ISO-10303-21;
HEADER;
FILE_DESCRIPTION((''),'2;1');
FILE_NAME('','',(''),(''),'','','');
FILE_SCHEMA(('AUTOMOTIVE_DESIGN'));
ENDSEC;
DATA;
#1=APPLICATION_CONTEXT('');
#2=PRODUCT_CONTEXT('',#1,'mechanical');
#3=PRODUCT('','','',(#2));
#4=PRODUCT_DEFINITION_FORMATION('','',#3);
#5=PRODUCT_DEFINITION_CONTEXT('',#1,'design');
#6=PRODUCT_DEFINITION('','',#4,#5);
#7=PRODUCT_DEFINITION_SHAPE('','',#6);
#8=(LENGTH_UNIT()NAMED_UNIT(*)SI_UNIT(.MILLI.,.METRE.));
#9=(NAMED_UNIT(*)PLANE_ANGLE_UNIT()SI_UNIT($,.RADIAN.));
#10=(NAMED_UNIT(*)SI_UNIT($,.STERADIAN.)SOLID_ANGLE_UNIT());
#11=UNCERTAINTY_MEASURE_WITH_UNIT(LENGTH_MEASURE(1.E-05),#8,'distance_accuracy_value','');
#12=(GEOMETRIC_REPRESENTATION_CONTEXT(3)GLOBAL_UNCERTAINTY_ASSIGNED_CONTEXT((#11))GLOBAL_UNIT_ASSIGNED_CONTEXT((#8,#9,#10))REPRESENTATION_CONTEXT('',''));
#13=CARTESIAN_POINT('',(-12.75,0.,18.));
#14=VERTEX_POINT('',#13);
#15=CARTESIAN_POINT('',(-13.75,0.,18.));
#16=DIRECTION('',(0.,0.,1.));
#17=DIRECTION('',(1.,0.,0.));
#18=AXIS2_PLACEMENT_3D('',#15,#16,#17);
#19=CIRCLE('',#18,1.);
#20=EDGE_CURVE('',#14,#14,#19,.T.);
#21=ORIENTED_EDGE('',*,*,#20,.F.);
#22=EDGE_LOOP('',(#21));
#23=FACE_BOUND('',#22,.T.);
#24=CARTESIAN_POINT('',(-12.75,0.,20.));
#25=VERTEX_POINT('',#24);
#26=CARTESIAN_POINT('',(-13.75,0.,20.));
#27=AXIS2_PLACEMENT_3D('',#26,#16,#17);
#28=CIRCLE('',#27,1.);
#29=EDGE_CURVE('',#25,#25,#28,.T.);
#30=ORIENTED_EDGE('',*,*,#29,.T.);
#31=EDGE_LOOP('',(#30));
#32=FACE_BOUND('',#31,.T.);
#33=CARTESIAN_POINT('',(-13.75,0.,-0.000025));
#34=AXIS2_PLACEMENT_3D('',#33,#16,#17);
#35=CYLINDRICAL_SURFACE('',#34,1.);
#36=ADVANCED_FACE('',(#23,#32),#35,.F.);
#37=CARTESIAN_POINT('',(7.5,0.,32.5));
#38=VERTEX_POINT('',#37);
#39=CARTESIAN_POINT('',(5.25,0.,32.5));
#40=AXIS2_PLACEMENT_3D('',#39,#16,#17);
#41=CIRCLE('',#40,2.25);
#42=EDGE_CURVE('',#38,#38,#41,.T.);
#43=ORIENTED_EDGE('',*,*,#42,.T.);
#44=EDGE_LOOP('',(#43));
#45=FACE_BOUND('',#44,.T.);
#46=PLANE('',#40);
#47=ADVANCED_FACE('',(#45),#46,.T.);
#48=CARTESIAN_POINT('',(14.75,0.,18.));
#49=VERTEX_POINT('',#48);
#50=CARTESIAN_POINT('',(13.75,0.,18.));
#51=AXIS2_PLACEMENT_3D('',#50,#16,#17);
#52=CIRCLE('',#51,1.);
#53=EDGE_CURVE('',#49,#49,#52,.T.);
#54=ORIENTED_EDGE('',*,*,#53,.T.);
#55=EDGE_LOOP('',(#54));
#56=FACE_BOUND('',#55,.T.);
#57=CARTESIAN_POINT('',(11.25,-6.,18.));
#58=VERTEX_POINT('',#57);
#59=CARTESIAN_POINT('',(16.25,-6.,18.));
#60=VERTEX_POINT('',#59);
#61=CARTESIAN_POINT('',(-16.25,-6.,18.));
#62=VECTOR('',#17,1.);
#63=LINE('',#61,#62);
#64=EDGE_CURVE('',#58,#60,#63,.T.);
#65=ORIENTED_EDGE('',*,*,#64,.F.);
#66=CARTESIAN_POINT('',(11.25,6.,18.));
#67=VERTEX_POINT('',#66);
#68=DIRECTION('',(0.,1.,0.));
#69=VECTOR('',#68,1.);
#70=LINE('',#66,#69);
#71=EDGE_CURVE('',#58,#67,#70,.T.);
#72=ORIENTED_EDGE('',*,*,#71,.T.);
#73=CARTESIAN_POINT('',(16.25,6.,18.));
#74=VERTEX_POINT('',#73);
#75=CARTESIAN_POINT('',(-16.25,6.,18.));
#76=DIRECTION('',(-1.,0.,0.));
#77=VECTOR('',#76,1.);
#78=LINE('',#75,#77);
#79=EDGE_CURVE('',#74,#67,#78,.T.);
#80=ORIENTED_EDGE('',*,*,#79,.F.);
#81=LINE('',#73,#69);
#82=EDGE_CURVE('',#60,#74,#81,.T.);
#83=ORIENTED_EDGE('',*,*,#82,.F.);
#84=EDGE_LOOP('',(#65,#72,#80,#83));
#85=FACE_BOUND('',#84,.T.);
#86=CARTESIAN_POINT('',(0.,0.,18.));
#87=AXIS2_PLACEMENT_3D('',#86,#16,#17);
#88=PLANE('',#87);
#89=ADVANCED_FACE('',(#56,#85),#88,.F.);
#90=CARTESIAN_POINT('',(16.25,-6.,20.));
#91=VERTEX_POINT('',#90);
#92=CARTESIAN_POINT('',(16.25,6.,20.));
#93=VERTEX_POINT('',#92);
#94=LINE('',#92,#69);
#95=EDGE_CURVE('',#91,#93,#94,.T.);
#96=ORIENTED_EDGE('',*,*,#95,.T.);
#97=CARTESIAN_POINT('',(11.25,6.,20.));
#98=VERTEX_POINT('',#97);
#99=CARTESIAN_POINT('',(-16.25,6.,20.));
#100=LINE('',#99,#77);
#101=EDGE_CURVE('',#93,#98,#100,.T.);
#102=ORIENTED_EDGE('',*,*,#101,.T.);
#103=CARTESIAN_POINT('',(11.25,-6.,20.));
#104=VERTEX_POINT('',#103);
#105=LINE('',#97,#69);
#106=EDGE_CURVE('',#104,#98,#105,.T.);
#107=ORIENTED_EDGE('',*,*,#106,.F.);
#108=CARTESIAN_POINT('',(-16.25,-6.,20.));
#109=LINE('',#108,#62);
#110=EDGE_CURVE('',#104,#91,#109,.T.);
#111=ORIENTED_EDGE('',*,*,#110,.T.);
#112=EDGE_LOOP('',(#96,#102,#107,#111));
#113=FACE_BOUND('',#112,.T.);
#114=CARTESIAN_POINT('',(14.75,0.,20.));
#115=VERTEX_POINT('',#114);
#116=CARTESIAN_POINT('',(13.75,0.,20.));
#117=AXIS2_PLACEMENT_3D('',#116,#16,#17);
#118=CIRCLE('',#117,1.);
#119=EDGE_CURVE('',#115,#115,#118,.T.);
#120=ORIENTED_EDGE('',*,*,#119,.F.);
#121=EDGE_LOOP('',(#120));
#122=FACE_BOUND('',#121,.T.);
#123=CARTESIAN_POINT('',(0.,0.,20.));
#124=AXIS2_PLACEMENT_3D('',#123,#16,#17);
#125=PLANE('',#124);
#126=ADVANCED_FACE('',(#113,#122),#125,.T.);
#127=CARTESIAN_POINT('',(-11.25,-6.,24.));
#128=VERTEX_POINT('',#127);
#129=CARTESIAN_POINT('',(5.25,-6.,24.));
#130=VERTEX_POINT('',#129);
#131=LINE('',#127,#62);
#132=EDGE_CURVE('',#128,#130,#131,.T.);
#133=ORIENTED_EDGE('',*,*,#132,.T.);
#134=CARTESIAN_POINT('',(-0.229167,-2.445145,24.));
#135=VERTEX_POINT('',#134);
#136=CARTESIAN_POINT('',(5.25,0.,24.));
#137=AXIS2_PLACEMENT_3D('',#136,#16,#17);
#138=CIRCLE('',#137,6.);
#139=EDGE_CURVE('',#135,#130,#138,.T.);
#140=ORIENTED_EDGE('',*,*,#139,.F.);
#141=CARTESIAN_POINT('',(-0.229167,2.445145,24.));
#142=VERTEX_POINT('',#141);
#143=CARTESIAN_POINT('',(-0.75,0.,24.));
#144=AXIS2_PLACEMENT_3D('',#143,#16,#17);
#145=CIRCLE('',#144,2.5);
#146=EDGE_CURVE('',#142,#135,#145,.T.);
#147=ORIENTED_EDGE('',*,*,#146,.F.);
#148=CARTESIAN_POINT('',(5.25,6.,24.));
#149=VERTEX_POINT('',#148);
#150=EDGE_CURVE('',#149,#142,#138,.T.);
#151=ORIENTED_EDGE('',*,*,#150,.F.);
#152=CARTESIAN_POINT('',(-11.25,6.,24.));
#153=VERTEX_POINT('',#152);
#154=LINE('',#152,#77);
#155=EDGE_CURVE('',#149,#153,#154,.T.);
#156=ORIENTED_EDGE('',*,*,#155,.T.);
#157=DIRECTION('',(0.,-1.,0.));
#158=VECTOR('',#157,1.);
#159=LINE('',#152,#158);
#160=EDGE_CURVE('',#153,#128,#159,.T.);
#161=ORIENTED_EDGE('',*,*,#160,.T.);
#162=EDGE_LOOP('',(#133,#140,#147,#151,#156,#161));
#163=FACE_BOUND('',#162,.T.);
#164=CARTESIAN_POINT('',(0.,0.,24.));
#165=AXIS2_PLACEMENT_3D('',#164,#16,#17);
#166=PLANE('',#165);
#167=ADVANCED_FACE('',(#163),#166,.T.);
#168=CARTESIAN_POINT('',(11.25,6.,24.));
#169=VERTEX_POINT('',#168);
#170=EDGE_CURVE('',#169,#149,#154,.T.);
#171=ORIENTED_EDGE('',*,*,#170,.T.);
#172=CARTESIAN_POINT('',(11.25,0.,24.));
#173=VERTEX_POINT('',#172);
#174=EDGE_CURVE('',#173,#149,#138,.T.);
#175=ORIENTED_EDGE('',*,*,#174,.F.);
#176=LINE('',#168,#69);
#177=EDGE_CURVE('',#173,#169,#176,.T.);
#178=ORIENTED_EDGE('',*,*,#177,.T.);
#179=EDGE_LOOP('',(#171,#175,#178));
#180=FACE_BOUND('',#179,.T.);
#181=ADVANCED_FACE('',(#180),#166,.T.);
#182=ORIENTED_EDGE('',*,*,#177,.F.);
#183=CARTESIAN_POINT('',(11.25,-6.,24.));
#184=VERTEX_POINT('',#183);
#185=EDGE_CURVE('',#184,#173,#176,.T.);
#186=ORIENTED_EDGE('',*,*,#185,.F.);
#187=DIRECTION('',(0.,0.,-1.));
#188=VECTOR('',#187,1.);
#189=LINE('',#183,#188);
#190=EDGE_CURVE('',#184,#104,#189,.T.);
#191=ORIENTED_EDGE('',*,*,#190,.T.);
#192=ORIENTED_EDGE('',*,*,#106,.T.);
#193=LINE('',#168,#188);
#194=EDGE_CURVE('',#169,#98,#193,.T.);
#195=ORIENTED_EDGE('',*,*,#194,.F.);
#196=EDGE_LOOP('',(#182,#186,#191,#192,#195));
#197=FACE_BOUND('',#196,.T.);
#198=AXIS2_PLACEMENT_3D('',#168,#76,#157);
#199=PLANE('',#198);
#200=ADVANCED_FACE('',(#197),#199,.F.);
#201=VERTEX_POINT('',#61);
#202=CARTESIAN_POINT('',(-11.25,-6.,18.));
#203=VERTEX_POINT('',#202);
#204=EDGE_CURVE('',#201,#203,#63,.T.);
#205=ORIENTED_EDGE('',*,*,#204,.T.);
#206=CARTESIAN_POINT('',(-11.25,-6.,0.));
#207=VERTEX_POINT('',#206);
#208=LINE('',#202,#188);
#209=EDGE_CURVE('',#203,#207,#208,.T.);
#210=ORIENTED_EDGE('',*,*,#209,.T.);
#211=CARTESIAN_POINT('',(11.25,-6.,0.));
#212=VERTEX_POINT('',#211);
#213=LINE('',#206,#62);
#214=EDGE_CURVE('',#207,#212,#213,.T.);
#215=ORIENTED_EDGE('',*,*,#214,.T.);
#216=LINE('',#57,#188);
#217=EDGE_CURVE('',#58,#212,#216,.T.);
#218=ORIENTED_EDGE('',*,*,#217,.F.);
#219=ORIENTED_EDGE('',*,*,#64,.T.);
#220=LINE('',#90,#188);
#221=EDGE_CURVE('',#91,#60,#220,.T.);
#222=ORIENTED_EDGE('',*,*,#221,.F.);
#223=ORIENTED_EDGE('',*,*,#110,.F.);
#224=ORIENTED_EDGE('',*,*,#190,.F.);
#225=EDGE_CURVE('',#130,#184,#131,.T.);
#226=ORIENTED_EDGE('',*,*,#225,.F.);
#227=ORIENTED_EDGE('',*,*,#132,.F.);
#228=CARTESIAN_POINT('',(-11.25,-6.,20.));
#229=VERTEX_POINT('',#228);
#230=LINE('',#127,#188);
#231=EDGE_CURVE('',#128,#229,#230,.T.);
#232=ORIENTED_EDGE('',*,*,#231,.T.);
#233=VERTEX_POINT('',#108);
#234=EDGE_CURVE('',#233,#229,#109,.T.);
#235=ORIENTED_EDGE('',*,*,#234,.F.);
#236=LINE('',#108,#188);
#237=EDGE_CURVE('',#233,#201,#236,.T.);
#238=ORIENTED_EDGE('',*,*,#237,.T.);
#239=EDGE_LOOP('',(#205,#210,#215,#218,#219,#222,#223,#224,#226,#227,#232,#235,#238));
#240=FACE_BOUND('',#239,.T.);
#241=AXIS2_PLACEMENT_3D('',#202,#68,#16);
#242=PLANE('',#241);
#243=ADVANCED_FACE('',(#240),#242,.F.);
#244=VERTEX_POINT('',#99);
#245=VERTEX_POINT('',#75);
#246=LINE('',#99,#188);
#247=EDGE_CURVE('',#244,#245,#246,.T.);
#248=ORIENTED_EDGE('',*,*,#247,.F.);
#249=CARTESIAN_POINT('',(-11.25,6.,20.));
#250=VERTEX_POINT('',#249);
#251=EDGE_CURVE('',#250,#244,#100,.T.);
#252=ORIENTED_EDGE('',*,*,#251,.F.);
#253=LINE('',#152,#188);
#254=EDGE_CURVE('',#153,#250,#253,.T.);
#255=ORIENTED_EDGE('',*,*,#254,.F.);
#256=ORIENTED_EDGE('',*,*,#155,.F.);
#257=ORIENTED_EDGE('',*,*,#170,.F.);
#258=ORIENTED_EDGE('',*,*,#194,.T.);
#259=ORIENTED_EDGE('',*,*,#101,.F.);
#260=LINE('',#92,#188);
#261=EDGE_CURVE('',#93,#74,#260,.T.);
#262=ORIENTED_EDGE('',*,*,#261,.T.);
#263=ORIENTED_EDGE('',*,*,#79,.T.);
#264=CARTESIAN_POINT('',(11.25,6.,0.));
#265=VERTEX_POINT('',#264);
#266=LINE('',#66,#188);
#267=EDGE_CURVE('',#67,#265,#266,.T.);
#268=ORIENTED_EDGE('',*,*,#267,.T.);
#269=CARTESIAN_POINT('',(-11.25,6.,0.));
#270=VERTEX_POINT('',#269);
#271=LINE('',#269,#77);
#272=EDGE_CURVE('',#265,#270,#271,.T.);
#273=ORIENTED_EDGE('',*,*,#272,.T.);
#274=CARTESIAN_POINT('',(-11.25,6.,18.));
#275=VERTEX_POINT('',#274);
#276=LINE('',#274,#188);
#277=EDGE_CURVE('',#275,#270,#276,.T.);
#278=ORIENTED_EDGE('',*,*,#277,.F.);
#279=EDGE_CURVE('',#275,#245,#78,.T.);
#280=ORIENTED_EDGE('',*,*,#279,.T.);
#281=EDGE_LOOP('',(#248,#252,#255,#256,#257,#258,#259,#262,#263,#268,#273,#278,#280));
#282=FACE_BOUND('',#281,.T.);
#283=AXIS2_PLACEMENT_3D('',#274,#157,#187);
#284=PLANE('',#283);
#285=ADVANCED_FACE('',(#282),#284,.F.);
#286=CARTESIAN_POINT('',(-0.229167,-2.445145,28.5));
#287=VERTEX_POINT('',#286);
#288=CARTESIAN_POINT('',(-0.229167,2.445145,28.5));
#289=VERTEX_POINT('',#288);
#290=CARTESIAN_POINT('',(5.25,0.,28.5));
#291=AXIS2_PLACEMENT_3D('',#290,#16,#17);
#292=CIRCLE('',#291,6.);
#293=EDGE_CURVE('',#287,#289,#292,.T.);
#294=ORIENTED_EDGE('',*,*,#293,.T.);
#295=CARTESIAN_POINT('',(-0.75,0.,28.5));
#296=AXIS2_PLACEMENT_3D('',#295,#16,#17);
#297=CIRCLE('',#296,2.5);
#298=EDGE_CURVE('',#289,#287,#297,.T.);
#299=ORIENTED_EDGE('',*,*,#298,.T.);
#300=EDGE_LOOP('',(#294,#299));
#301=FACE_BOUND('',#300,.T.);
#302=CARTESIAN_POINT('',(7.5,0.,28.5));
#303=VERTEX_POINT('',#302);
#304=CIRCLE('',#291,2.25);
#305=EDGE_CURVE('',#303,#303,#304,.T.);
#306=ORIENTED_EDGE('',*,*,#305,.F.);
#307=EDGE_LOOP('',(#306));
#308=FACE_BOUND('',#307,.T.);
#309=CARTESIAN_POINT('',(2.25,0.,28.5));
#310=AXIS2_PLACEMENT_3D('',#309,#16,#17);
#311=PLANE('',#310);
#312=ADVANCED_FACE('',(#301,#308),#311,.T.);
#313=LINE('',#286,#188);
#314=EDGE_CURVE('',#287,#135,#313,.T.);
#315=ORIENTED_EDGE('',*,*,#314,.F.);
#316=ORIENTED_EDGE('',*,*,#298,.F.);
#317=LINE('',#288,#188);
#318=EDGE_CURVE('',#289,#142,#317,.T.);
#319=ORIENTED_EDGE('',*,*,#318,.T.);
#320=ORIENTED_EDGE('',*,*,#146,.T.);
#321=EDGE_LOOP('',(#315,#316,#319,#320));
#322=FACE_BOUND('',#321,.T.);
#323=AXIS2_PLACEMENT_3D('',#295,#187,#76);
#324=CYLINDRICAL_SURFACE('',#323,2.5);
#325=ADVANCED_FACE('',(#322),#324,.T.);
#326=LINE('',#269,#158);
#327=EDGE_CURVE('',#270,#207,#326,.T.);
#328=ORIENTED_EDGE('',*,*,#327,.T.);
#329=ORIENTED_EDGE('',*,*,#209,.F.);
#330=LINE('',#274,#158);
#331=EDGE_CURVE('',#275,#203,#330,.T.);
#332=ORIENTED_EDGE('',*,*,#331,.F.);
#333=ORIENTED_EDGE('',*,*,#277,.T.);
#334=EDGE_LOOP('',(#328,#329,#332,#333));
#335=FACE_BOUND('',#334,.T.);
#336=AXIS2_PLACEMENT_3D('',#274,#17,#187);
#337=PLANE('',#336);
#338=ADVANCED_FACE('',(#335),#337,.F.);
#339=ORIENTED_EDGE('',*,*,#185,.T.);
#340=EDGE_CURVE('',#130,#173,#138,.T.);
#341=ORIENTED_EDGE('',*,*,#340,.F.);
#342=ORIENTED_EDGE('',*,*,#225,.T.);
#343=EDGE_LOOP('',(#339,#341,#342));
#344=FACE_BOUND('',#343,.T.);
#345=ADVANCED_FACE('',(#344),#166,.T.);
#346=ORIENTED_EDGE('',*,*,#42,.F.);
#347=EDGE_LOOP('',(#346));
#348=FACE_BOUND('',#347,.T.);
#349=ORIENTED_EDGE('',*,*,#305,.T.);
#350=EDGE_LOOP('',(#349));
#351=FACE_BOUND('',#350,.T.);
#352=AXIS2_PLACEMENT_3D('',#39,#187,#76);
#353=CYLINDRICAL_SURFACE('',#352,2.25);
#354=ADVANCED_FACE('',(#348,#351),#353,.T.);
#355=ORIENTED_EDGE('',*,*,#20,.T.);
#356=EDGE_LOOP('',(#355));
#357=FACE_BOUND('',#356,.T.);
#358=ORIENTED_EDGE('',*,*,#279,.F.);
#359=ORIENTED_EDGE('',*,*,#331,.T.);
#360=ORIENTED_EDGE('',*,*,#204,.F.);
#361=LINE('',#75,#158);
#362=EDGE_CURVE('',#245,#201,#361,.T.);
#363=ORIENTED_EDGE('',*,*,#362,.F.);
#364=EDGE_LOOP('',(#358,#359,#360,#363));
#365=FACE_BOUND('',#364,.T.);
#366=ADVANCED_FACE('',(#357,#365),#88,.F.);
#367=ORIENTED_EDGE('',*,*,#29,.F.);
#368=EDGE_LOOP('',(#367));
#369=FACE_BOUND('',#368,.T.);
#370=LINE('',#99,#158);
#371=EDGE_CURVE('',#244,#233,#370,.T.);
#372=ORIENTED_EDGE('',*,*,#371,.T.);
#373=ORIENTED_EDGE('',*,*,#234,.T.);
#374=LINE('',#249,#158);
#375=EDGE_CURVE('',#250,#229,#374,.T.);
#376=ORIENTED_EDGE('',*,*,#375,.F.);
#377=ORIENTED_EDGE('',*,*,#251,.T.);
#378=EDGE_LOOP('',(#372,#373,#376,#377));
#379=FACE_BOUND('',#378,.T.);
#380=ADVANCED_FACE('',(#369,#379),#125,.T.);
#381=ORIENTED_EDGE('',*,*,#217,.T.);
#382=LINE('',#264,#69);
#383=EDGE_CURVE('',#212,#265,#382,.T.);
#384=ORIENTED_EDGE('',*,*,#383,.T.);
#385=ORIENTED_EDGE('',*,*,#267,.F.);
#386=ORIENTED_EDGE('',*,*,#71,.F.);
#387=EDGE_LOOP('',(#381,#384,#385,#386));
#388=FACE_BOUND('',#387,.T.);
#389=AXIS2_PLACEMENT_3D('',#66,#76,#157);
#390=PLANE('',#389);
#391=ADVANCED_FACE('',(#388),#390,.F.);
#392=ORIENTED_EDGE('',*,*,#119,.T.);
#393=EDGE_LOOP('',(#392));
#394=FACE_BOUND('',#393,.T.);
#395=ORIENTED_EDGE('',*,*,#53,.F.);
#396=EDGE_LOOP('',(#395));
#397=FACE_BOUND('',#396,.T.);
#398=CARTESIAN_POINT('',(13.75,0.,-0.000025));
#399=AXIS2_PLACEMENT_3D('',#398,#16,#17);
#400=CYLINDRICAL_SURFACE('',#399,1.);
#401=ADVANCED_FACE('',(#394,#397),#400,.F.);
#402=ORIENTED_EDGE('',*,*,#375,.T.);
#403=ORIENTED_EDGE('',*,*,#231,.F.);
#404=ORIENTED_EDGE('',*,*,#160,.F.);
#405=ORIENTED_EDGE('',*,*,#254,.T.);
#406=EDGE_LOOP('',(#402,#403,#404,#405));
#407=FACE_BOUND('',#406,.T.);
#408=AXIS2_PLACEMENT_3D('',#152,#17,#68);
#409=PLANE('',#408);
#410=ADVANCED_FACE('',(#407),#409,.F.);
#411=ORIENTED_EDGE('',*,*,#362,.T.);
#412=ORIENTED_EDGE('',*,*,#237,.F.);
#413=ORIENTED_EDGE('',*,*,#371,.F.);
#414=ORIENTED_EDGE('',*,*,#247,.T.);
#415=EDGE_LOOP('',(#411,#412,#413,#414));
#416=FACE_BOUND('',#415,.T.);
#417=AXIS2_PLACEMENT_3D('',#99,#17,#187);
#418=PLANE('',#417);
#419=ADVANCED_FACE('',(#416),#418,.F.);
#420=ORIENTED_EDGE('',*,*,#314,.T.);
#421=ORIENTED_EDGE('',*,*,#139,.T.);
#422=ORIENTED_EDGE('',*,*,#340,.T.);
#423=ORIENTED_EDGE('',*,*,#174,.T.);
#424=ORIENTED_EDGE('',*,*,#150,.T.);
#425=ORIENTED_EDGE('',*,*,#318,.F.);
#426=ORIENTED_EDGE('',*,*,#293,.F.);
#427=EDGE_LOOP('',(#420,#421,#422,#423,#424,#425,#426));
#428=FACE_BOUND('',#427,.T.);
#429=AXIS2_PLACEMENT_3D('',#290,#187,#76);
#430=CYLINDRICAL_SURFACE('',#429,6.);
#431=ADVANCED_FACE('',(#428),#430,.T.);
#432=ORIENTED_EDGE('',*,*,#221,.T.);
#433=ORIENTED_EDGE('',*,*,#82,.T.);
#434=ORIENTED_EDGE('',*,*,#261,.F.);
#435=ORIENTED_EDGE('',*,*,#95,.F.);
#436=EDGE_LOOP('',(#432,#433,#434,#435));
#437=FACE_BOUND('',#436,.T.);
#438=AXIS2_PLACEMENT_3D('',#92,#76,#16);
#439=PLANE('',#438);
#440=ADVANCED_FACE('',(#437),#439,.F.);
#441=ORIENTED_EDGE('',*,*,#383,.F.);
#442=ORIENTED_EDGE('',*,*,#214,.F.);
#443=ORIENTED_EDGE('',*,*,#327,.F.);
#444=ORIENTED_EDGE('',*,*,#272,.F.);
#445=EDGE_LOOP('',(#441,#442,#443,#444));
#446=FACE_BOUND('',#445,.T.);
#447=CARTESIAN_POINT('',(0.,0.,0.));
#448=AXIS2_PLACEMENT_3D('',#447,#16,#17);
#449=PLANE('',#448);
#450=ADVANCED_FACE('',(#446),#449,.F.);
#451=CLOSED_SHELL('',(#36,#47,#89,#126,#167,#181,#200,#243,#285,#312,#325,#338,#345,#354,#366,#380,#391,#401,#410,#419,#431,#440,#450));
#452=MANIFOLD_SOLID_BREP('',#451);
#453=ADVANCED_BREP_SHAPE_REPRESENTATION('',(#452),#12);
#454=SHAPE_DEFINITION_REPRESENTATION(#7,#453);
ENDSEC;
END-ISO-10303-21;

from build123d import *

# Parameters (mm, degrees)
SKETCH1_W      = 22.5
SKETCH1_H      = 12
EXTRUDE1_DEPTH = 18
SKETCH2_W      = 32.5
SKETCH2_H      = 12
EXTRUDE2_DEPTH = 2
SKETCH3_W      = 22.5
SKETCH3_H      = 12
EXTRUDE3_DEPTH = 4
SKETCH4_R      = 1
EXTRUDE4_DEPTH = 21
EXTRUDE5_DEPTH = 4.5
SKETCH6_R      = 2.25
EXTRUDE6_DEPTH = 4


with BuildPart() as part:
    # Sketch1 → Extrude1 (new body)
    with BuildSketch(Plane.XY):
        Rectangle(SKETCH1_W, SKETCH1_H)
    extrude(amount=EXTRUDE1_DEPTH)

    # Sketch2 → Extrude2 (add)
    with BuildSketch(Plane.XY.offset(18)):
        Rectangle(SKETCH2_W, SKETCH2_H)
    extrude(amount=EXTRUDE2_DEPTH)

    # Sketch3 → Extrude3 (add)
    with BuildSketch(Plane.XY.offset(20)):
        Rectangle(SKETCH3_W, SKETCH3_H)
    extrude(amount=EXTRUDE3_DEPTH)

    # Sketch4 → Extrude4 (cut, through all)
    with BuildSketch(Plane.XY.offset(20)):
        with Locations((-13.75, 0)):
            Circle(SKETCH4_R)
        with Locations((13.75, 0)):
            Circle(SKETCH4_R)
    extrude(amount=-EXTRUDE4_DEPTH, mode=Mode.SUBTRACT)

    # Sketch5 → Extrude5 (add)
    with BuildSketch(Plane.XY.offset(24)):
        with BuildLine():
            ThreePointArc((-0.229166667, -2.445144707), (11.25, 0), (-0.229166667, 2.445144707))
            ThreePointArc((-0.229166667, 2.445144707), (-3.25, 0), (-0.229166667, -2.445144707))
        make_face()
    extrude(amount=EXTRUDE5_DEPTH)

    # Sketch6 → Extrude6 (add)
    with BuildSketch(Plane.XY.offset(28.5)):
        with Locations((5.25, 0)):
            Circle(SKETCH6_R)
    extrude(amount=EXTRUDE6_DEPTH)


solid = part.part
